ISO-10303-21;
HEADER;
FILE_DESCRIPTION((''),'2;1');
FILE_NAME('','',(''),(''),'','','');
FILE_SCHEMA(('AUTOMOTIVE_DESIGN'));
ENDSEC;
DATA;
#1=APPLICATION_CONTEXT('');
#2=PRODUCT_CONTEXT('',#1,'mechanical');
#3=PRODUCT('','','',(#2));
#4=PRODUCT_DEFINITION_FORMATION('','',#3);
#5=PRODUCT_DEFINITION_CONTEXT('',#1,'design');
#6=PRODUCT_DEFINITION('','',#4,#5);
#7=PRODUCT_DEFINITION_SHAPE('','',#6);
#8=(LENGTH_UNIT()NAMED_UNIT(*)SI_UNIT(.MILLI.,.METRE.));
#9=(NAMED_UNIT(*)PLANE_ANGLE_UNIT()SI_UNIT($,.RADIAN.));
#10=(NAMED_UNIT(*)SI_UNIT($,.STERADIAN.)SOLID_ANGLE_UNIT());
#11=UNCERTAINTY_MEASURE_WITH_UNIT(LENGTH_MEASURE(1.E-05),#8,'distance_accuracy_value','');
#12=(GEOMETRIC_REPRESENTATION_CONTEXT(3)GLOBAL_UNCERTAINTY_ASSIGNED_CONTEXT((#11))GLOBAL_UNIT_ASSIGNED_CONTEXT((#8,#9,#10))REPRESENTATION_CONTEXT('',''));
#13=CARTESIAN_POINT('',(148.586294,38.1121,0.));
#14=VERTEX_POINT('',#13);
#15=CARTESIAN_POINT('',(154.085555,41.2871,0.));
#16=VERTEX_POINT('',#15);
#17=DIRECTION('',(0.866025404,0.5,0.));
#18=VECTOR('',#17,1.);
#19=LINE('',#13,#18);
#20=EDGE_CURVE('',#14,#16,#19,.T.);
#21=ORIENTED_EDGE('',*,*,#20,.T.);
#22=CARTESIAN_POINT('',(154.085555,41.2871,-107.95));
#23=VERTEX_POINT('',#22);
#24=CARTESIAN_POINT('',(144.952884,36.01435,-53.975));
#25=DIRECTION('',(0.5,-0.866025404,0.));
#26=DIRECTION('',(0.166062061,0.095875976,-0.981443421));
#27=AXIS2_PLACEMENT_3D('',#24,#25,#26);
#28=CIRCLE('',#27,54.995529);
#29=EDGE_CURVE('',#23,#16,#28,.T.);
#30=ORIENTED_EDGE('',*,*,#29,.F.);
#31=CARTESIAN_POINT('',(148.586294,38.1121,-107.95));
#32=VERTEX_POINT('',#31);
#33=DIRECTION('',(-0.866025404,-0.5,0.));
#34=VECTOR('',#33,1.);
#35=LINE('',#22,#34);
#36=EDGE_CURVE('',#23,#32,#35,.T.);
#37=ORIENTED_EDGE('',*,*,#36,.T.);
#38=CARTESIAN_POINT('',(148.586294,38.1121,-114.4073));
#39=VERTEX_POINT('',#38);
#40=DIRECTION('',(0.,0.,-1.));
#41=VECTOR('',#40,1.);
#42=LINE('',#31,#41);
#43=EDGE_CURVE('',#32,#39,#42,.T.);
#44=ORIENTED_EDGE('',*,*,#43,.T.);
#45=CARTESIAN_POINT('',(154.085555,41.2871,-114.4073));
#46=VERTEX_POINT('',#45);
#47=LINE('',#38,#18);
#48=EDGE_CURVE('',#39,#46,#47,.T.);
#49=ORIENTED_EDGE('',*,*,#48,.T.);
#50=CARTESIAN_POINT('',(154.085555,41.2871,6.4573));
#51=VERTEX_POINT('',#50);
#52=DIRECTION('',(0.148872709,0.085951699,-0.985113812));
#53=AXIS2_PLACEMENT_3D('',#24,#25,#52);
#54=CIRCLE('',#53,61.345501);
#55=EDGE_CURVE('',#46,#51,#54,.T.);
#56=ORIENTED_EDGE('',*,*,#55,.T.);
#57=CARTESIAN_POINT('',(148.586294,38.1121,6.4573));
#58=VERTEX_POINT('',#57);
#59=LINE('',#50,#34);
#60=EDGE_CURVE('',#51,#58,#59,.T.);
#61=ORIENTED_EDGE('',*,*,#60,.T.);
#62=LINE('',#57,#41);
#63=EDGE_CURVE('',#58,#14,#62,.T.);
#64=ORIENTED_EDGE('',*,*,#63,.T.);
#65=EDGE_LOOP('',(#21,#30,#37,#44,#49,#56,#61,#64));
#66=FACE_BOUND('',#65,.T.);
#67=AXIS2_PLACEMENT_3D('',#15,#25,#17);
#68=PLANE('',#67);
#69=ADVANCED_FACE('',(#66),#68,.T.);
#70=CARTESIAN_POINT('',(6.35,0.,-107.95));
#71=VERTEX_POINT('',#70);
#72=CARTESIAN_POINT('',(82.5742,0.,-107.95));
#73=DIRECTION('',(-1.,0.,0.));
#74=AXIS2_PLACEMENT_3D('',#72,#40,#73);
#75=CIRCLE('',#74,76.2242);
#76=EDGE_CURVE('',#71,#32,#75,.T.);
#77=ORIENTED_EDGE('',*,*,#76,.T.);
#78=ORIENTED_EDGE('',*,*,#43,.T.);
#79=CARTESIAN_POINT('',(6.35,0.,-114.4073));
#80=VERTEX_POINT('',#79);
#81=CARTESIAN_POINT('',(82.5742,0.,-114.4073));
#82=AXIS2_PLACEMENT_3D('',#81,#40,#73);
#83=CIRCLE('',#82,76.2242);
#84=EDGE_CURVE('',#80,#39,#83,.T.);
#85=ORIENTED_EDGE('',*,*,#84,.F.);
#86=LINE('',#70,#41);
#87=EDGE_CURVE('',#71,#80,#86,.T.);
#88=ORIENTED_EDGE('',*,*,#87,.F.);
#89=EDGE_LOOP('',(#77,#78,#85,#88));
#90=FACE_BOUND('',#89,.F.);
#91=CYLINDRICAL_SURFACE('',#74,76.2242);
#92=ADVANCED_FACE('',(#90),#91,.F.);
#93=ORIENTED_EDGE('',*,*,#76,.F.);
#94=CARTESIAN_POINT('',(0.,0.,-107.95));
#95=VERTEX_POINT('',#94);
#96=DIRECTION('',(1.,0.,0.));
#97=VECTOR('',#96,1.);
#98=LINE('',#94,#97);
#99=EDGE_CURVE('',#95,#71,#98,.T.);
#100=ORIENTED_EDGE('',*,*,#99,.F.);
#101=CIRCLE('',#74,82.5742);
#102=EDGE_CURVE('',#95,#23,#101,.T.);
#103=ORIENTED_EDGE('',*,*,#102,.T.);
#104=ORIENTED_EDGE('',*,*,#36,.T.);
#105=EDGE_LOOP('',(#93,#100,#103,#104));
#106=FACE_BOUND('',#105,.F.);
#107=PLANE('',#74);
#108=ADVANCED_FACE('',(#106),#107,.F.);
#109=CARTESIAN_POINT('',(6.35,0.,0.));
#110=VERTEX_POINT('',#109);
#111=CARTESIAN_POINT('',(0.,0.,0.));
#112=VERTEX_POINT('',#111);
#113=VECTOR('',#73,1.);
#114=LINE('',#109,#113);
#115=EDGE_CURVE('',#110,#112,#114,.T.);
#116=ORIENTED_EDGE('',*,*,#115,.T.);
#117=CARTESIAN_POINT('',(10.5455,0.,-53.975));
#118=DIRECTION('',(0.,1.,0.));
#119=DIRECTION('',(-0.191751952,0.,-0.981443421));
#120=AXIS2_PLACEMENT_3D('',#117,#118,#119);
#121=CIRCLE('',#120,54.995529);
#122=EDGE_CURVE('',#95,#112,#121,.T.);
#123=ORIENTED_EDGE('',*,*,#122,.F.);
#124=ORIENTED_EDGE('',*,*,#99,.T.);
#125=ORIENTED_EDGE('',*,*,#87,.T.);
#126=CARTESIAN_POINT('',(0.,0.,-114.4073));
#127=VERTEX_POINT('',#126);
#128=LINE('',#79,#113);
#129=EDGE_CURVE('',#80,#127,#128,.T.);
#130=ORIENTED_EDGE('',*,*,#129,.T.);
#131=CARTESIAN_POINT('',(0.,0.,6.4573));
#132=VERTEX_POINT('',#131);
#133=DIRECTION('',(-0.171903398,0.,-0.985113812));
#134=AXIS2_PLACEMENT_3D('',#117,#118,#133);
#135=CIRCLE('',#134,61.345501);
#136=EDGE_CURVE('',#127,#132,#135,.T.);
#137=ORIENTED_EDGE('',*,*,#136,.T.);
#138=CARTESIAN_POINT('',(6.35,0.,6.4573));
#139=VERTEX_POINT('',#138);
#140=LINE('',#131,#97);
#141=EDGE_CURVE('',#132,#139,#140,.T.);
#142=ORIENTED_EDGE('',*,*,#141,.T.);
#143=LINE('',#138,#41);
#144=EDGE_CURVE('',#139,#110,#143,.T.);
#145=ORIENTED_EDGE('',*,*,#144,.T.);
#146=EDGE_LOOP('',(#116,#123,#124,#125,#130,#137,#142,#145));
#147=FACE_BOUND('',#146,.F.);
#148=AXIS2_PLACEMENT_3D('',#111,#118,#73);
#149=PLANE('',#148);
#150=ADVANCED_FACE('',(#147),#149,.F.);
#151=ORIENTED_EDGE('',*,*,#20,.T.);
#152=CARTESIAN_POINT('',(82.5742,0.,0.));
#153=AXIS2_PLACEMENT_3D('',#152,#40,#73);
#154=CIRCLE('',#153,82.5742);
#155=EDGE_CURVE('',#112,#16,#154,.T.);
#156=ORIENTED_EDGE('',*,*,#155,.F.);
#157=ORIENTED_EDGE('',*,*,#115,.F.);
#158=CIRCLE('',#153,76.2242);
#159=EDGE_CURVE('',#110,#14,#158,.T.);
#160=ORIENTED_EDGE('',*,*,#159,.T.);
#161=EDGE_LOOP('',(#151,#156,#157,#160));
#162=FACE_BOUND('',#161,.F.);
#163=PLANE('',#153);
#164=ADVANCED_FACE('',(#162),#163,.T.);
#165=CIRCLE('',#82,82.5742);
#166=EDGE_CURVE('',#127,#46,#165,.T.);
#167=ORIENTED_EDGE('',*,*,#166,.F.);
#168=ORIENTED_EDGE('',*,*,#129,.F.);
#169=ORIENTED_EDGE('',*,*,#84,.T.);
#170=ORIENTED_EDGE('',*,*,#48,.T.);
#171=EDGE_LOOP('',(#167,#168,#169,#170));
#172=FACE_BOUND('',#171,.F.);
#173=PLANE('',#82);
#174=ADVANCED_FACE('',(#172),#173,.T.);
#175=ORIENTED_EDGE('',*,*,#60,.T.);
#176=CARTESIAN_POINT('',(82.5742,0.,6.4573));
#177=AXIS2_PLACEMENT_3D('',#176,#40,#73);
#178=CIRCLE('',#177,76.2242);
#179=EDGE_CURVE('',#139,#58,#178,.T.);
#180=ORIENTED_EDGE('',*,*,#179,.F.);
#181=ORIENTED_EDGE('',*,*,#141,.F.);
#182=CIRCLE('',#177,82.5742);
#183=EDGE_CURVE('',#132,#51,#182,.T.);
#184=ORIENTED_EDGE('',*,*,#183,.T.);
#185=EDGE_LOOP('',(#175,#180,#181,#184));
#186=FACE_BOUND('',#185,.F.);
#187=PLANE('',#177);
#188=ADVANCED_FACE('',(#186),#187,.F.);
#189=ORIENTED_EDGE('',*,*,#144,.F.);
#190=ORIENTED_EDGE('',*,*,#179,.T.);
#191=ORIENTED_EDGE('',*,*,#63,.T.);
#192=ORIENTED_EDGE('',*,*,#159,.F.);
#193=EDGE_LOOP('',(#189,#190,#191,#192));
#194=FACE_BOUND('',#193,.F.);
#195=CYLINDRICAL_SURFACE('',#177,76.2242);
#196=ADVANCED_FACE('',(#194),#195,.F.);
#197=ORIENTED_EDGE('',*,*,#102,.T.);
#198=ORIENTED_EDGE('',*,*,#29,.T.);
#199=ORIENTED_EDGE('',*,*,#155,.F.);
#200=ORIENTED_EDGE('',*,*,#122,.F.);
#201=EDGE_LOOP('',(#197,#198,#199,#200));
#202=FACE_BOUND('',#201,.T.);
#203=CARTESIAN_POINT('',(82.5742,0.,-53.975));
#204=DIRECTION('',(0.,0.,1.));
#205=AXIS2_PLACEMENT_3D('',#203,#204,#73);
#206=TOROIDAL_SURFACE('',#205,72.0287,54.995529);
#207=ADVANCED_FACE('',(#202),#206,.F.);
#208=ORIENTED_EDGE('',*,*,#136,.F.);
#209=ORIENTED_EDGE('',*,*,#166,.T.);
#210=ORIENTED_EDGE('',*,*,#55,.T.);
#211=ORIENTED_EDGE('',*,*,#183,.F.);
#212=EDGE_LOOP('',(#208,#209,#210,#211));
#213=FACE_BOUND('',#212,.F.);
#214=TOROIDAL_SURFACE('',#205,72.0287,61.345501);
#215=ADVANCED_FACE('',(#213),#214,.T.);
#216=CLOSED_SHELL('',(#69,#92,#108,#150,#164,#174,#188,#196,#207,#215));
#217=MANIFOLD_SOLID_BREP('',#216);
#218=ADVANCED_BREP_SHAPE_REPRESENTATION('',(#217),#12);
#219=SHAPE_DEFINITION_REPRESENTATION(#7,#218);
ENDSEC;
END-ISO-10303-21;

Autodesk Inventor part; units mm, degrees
ref_plane "YZ Plane" through (0, 0, 0) normal (1, 0, 0) x (0, 1, 0)
ref_plane "XZ Plane" through (0, 0, 0) normal (0, 1, 0) x (-1, 0, 0)
ref_plane "XY Plane" through (0, 0, 0) normal (0, 0, 1) x (1, 0, 0)
sketch "Sketch2" plane through (0, 0, 0) normal (0, 1, 0) x (-1, 0, 0)
  line L0 (0, 0) -> (0, -107.95) construction
  line L1 (0, -53.975) -> (44.45, -53.975) construction
  arc A0 (0, -107.95) -> (0, 0) centre (-10.5455, -53.975) ccw
  arc A1 (0, -114.4073) -> (0, 6.4573) centre (-10.5455, -53.975) ccw
  line L2 (0, 0) -> (0, 6.4573)
  line L3 (0, -107.95) -> (0, -114.4073)
  line L4 (0, 6.4573) -> (-6.35, 6.4573)
  line L5 (-6.35, 6.4573) -> (-6.35, 0)
  line L6 (-6.35, 0) -> (0, 0)
  line L7 (0, 0) -> (0, 6.4573)
  line L8 (0, -107.95) -> (-6.35, -107.95)
  line L9 (-6.35, -107.95) -> (-6.35, -114.4073)
  line L10 (-6.35, -114.4073) -> (0, -114.4073)
  line L11 (0, -114.4073) -> (0, -107.95)
  line L12 (44.45, -53.975) -> (-82.55, -53.975) construction
  line L13 (-82.5742, -64.2808) -> (-82.5742, -44.6455) construction
  dimension "d5" = 107.95
  dimension "d6" = 44.45
  dimension "d7" = 6.35
  dimension "d8" = 6.35
  dimension "d9" = 127
revolve "Revolution2" add sketch "Sketch2" angle 150 about axis through (82.5742, 0, -64.2808) along (0, 0, -1)
properties part number "throwerRamp"
